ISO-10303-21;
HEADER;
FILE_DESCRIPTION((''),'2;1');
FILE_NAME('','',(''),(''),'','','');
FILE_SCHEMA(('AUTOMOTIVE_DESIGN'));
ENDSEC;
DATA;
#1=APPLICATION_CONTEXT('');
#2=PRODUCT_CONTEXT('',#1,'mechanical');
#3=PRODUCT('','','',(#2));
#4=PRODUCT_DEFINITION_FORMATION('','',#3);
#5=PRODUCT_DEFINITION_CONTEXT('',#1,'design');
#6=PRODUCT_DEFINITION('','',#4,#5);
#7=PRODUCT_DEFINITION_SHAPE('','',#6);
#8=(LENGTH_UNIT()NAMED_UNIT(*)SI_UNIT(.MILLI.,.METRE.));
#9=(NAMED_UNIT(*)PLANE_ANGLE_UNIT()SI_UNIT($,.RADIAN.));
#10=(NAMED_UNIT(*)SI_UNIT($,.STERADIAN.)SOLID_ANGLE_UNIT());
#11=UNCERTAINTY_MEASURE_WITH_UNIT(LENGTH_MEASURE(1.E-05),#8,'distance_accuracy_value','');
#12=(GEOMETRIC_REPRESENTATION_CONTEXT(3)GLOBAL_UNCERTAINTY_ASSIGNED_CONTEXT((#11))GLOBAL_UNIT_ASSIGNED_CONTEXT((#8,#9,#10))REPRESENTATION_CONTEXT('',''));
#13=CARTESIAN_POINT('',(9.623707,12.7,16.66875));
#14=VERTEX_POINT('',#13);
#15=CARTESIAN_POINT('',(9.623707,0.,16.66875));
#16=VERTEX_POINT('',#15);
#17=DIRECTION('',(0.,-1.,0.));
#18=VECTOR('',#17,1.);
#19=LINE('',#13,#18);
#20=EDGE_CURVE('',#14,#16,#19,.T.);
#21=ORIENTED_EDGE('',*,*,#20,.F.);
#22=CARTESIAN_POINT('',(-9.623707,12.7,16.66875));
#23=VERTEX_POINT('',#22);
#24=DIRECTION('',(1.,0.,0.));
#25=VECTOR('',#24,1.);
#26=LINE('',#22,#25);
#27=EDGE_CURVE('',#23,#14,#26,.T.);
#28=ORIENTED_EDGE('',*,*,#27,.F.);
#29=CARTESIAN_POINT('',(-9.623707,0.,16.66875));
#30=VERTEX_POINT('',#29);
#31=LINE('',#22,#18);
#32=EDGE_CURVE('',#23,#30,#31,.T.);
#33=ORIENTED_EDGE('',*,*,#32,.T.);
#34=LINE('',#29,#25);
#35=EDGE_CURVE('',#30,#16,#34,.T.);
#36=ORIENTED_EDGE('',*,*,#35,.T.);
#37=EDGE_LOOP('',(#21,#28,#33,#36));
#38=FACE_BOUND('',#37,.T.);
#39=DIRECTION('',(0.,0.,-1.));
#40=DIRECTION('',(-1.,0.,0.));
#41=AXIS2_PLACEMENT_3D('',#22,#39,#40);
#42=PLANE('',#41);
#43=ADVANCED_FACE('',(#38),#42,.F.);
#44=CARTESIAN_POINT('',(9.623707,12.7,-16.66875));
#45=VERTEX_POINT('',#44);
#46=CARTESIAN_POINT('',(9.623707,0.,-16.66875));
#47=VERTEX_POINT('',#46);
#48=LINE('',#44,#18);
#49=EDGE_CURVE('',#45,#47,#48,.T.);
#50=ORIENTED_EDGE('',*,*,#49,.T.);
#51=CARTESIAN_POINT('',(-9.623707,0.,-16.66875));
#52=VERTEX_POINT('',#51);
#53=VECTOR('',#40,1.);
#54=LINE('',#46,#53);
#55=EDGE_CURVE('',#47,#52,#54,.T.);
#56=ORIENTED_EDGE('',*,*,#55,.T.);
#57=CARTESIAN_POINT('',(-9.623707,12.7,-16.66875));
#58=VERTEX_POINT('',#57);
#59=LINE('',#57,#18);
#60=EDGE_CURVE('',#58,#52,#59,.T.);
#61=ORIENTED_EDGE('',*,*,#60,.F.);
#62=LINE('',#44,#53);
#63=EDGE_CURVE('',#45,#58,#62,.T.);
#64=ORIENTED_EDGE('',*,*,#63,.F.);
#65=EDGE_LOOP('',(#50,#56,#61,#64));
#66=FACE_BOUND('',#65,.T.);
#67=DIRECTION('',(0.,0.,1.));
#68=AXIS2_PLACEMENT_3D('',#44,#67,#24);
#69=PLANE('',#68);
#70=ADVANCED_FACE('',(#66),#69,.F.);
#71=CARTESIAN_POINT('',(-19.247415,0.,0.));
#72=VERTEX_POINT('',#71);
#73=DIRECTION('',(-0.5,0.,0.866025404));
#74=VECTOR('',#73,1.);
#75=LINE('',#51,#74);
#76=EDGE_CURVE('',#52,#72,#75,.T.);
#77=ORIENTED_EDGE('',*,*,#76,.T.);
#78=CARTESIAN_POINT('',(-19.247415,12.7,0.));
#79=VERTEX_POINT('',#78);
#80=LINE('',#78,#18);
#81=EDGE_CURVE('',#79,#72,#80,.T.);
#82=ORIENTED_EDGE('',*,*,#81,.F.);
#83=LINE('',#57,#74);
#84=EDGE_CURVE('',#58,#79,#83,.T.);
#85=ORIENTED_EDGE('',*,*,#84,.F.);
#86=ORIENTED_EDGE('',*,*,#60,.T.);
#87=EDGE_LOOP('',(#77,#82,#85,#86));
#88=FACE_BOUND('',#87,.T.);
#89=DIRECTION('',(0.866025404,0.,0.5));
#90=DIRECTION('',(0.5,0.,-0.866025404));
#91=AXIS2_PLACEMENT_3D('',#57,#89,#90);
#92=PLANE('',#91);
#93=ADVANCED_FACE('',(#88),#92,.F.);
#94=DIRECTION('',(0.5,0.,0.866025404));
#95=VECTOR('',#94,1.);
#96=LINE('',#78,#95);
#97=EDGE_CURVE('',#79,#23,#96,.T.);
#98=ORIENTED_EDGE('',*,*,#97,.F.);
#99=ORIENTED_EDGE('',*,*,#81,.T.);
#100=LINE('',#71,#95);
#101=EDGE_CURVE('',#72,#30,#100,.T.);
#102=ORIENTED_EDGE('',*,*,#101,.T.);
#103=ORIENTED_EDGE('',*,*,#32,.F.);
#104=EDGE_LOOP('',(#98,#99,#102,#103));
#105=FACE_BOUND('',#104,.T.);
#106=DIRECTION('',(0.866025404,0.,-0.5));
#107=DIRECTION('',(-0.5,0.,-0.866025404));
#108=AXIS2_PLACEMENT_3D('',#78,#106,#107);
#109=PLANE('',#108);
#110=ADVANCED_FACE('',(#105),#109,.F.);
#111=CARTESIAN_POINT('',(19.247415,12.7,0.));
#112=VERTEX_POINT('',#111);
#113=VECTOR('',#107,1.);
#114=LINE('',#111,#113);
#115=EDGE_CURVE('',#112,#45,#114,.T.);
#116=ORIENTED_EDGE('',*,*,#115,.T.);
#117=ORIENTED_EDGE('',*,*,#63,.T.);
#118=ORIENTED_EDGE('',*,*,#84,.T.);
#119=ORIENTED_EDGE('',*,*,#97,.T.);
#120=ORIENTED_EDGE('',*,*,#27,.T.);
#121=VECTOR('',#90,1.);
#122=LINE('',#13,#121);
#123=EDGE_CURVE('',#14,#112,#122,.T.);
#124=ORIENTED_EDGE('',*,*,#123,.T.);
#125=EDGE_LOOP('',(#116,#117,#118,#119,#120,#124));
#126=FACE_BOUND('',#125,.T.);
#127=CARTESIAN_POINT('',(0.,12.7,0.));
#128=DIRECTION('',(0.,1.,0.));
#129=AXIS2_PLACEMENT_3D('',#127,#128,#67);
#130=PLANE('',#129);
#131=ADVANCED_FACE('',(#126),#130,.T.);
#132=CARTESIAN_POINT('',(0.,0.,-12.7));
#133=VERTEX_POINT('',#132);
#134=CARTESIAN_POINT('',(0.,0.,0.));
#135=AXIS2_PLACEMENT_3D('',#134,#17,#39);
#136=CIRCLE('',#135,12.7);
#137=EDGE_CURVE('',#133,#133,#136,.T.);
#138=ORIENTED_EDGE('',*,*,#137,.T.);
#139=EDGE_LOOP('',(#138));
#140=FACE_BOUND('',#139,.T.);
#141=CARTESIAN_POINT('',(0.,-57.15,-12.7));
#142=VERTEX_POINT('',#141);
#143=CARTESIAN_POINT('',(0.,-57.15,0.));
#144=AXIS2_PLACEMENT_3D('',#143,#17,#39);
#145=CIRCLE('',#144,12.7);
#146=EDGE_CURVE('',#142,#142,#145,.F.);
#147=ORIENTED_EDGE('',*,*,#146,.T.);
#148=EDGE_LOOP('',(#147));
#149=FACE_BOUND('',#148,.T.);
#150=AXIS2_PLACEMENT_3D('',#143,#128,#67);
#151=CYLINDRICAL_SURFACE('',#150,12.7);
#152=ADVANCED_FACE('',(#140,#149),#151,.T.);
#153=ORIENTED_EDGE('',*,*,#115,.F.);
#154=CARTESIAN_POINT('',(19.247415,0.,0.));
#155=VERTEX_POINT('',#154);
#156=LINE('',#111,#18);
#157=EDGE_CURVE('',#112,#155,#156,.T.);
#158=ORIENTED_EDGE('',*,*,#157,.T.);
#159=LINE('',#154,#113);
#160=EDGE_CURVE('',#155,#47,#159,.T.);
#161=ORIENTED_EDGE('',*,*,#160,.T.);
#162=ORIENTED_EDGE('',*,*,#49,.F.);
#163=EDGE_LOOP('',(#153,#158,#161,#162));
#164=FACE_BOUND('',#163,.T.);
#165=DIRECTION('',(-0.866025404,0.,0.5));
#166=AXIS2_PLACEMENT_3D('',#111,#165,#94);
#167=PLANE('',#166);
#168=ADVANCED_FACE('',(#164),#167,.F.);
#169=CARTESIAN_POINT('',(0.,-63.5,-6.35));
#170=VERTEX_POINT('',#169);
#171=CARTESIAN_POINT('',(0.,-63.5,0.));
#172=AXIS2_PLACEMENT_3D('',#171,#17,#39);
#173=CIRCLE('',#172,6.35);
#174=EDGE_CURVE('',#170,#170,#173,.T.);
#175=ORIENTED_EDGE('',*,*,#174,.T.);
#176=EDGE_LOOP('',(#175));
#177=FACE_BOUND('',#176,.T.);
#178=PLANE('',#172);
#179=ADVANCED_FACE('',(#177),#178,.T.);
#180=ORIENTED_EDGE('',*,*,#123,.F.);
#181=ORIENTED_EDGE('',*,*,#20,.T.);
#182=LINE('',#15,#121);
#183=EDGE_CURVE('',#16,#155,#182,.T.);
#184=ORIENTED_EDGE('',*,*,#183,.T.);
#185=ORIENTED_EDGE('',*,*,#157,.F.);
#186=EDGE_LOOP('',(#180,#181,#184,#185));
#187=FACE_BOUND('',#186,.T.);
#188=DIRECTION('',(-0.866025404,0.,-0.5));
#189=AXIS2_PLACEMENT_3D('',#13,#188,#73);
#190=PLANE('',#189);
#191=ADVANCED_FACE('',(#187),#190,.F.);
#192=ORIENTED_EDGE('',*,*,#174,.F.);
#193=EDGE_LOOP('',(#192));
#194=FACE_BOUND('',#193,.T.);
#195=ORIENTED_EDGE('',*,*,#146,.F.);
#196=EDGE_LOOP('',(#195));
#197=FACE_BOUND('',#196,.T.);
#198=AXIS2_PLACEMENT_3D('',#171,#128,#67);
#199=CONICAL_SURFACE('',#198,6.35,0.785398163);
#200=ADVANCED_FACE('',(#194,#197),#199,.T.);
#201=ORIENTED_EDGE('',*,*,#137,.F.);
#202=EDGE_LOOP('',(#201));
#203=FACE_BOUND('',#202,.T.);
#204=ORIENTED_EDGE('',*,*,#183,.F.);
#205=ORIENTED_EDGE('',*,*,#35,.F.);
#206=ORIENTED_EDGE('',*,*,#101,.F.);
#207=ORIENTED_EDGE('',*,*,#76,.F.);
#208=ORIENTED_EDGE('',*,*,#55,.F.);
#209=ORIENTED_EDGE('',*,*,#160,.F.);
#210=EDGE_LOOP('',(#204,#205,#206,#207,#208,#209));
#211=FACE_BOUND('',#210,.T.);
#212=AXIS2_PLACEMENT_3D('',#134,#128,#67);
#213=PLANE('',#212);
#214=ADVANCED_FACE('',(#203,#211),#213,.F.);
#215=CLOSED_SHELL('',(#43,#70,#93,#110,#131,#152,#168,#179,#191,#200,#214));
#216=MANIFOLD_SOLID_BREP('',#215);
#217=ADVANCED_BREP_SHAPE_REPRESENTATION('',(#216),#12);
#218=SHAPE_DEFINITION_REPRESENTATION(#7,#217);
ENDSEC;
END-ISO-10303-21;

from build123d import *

# Parameters (mm, degrees)
BOSS_EXTRUDE2_DEPTH = 12.7
SKETCH6_R           = 12.7
BOSS_EXTRUDE3_DEPTH = 57.15
SKETCH10_R          = 12.7
BOSS_EXTRUDE5_DEPTH = 6.35
CHAMFER2_SIZE       = 6.35


with BuildPart() as part:
    # Sketch5 → Boss-Extrude2 (new body)
    with BuildSketch(Plane(origin=(0, 0, 0), x_dir=(1, 0, 0), z_dir=(0, 1, 0))):
        Polygon((19.247414599, 0), (9.6237073, 16.66875), (-9.6237073, 16.66875), (-19.247414599, 0), (-9.6237073, -16.66875), (9.6237073, -16.66875), align=None)
    extrude(amount=BOSS_EXTRUDE2_DEPTH)

    # Sketch6 → Boss-Extrude3 (add)
    with BuildSketch(Plane.XZ):
        with Locations(Location((0, 0, 0), (0, 0, 270))):
            Circle(SKETCH6_R)
    extrude(amount=BOSS_EXTRUDE3_DEPTH)

    # Sketch10 → Boss-Extrude5 (add)
    with BuildSketch(Plane.XZ.offset(57.15)):
        with Locations(Location((0, 0, 0), (0, 0, 270))):
            Circle(SKETCH10_R)
    extrude(amount=BOSS_EXTRUDE5_DEPTH)

    # Chamfer2
    chamfer2_edges = [part.edges().sort_by_distance(p)[0] for p in [
        (0, -63.5, 12.7),
    ]]
    chamfer(chamfer2_edges, length=CHAMFER2_SIZE)


solid = part.part
